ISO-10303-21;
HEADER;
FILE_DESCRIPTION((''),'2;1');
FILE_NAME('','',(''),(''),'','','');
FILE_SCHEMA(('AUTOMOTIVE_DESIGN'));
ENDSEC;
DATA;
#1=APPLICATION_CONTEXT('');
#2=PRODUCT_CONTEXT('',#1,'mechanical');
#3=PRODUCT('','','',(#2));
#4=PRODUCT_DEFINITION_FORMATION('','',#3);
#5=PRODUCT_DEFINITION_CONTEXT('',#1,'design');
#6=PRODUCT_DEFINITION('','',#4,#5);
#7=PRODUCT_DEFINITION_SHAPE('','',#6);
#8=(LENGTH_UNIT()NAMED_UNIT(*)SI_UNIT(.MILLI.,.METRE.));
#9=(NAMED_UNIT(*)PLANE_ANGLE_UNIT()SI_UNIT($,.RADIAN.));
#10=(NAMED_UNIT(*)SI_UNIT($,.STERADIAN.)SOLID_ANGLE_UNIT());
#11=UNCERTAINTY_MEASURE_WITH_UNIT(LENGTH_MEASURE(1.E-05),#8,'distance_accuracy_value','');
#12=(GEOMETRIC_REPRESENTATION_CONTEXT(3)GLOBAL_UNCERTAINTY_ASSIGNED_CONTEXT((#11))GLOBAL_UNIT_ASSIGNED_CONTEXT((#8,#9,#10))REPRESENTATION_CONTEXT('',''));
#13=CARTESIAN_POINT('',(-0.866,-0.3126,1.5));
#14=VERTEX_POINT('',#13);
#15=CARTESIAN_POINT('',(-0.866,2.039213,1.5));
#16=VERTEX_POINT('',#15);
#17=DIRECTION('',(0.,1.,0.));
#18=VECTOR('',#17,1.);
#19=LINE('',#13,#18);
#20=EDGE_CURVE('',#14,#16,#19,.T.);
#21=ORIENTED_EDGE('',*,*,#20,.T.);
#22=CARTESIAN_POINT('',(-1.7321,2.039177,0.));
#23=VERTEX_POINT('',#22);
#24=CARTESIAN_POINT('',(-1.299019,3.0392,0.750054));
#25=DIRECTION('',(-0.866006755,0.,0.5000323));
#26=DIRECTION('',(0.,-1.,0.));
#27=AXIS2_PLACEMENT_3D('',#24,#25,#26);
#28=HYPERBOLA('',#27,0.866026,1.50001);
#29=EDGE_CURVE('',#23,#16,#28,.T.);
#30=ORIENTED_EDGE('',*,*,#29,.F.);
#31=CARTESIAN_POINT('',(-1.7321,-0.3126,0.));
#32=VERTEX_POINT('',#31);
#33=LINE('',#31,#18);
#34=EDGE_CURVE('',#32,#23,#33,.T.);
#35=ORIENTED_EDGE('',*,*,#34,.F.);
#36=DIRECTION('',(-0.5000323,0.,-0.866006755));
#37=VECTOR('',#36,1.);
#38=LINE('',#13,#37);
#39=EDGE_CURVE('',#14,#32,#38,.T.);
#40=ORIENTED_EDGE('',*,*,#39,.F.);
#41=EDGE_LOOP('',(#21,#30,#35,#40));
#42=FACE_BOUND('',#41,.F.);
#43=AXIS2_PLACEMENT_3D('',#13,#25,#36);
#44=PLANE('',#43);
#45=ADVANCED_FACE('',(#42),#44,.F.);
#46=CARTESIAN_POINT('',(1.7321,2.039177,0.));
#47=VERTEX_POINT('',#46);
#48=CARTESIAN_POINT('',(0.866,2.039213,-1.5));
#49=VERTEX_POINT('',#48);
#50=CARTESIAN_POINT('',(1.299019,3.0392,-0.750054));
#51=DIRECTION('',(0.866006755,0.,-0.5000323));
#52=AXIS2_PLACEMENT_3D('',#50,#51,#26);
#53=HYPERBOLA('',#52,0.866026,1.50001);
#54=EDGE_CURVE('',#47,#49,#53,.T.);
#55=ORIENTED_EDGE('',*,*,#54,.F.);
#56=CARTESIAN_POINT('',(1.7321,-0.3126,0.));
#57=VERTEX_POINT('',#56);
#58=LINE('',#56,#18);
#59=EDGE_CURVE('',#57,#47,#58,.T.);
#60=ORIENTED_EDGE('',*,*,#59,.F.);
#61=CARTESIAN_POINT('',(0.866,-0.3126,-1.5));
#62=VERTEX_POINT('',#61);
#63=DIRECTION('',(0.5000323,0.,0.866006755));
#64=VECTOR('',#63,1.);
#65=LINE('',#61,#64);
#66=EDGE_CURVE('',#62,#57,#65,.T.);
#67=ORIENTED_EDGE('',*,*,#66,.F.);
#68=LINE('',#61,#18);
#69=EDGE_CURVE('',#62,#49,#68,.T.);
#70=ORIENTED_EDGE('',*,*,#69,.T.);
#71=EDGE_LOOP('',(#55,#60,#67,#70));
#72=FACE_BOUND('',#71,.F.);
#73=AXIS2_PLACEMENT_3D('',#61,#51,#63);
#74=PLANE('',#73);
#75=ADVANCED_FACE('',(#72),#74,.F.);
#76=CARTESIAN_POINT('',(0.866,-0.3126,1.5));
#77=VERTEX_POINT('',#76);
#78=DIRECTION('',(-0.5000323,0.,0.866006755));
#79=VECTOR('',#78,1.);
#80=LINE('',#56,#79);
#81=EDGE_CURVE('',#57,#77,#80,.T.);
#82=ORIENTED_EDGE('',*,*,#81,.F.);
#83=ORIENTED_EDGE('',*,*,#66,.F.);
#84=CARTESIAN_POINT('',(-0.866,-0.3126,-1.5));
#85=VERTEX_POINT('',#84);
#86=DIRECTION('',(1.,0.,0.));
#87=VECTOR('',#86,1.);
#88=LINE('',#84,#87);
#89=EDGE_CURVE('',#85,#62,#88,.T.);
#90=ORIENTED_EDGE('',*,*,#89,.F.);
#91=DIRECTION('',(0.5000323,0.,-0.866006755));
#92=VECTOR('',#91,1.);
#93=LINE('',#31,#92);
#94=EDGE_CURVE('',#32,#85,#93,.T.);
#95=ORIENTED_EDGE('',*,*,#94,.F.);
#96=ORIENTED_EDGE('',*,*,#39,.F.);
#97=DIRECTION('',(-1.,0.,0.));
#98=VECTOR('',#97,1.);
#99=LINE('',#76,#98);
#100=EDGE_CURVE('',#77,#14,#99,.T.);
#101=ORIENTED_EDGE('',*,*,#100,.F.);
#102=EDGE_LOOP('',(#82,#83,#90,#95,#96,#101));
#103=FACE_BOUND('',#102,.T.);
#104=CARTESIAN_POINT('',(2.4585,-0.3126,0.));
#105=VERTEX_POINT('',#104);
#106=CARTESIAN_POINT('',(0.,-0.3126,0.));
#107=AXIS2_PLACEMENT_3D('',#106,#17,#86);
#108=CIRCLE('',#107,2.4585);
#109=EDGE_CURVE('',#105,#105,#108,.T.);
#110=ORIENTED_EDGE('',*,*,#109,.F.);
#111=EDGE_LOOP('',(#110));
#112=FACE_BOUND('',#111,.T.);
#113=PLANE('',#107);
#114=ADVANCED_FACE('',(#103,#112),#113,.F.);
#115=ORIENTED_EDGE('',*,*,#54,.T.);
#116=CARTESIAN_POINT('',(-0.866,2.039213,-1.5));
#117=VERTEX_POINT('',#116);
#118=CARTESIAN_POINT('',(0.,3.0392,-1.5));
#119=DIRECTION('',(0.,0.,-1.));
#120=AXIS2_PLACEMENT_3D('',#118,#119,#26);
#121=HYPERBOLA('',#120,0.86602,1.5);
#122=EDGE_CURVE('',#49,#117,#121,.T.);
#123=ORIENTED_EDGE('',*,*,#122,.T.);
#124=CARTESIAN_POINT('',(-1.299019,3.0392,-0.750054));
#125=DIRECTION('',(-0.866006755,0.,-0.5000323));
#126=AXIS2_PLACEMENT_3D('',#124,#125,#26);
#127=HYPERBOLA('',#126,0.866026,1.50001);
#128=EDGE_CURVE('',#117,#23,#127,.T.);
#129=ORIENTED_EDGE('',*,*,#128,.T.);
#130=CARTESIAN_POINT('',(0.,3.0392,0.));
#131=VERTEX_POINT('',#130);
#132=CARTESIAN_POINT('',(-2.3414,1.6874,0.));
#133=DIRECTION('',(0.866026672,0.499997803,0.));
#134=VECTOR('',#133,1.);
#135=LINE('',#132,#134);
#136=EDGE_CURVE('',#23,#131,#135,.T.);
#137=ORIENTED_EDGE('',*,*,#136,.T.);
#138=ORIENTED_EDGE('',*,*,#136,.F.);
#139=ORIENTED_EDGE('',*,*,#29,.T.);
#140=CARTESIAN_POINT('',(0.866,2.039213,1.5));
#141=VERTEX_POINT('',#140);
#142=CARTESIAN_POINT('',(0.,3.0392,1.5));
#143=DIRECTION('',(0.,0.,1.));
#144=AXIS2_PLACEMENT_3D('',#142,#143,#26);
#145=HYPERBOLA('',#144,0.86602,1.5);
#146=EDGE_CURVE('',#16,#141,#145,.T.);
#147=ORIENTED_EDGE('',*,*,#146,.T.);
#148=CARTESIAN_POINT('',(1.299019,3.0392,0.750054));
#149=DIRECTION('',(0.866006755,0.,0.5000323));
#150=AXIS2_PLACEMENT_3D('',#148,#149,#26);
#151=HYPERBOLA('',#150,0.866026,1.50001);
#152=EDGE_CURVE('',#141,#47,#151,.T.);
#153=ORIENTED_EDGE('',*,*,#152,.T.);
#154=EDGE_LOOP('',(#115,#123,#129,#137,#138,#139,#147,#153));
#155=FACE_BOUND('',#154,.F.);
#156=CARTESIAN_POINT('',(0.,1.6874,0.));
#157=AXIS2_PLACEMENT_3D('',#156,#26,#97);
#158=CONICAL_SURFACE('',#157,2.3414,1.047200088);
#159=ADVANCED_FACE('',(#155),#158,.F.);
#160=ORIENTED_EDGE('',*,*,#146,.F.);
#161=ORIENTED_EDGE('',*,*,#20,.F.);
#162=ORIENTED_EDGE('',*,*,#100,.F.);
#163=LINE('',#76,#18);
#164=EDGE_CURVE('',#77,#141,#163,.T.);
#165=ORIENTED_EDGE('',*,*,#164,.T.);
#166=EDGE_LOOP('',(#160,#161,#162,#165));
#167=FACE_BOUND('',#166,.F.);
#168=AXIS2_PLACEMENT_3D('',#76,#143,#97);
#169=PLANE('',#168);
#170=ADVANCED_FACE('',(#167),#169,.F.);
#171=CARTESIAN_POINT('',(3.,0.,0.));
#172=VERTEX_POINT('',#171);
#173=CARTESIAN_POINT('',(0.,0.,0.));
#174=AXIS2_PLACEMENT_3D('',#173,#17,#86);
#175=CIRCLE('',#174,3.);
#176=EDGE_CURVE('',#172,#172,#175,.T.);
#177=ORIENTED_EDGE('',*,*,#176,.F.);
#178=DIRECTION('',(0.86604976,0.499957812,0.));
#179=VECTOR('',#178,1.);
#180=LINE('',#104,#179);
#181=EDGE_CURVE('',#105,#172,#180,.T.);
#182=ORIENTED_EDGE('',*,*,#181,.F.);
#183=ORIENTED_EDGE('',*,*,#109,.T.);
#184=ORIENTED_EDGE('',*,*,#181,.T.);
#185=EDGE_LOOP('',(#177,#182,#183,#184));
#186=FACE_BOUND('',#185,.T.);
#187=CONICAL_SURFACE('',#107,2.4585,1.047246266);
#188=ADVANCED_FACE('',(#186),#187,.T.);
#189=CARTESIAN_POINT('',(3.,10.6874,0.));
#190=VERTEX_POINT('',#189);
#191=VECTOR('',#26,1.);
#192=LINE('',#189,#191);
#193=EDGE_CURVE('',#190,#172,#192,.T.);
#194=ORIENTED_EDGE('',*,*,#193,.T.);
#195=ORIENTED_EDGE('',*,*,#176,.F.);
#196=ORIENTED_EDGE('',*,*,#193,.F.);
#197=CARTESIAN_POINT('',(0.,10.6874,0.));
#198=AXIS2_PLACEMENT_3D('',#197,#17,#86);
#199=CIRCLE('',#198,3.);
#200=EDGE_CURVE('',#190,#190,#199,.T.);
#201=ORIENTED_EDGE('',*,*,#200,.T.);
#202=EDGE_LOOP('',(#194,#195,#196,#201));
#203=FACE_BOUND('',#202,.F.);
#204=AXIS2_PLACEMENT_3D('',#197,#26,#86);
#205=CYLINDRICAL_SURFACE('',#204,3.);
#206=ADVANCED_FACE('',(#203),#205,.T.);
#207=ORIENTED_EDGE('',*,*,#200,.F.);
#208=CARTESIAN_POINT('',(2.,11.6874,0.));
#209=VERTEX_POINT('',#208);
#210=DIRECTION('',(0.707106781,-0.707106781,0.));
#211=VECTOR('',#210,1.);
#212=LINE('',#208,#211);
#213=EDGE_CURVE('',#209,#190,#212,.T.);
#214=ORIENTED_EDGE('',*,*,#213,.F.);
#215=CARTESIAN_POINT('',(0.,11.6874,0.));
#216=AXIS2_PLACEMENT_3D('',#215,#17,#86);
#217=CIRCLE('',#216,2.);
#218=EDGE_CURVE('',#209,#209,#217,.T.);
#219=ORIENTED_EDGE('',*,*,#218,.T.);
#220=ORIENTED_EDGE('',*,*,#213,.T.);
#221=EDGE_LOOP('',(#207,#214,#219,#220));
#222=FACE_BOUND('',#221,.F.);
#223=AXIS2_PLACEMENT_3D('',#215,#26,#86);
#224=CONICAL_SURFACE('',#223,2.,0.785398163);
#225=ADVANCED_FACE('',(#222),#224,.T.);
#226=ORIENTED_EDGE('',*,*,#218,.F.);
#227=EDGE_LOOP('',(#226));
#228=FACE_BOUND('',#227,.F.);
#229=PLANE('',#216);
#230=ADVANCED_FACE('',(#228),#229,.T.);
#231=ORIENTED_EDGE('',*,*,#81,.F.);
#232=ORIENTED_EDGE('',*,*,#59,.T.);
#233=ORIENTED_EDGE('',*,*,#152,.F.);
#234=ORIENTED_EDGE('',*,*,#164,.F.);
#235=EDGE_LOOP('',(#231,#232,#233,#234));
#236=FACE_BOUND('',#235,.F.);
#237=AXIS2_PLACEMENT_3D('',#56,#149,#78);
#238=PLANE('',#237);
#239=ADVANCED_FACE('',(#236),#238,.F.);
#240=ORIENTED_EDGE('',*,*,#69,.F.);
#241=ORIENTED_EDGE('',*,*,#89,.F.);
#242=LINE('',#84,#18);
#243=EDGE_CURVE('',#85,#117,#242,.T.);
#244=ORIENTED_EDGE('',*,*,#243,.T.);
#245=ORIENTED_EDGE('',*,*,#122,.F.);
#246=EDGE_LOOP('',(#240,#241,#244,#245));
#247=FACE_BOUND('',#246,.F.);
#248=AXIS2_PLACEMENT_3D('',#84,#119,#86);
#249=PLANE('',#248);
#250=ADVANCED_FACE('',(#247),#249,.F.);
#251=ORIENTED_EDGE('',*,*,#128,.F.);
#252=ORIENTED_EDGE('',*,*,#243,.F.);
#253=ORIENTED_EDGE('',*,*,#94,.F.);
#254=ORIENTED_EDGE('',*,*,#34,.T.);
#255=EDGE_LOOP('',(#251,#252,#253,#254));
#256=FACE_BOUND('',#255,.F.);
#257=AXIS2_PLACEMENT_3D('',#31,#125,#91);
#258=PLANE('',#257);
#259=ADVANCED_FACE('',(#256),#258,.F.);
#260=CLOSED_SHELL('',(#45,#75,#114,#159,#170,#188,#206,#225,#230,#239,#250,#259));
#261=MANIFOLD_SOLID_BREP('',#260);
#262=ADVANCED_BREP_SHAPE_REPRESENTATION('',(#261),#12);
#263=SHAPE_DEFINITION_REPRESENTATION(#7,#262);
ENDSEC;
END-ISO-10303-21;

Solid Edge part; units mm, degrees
sketch "Sketch1" plane through (0, 0, 0) normal (0, 0, 1) x (1, 0, 0)
  line L0 (3, 10.6874) -> (3, 0)
  line L1 (2.4585, -0.3126) -> (3, 0)
  line L2 (0, -0.3126) -> (2.4585, -0.3126)
  line L3 (0, 0) -> (0, -0.3126)
  line L4 (0, 0) -> (0, 11.6874)
  line L5 (0, 11.6874) -> (2, 11.6874)
  line L6 (2, 11.6874) -> (3, 10.6874)
  dimension "D1" = 2
  dimension "D2" = 3
  dimension "D3" = 2.4585
  dimension "D4" = 12
revolve "RevolvedProtrusion1" add sketch "Sketch1" angle 360 about axis through (0, 0, 0) along (0, 1, 0)
sketch "Sketch2" plane through (0, 0, 0) normal (0, 0, 1) x (1, 0, 0)
  line L0 (0, -0.3126) -> (0, 3.0392)
  line L1 (-2.3414, 1.6874) -> (0, 3.0392)
  line L2 (-2.3414, -0.3126) -> (-2.3414, 1.6874)
  line L3 (0, -0.3126) -> (-2.3414, -0.3126)
revolve "RevolvedCutout1" cut sketch "Sketch2" angle 360 about axis through (0, -0.1937, 0) along (0, 1, 0)
sketch "Sketch3" plane through (0, -0.3126, 0) normal (0, -1, 0) x (0, 0, -1)
  line L0 (-1.5, -0.866) -> (0, -1.7321)
  line L1 (0, -1.7321) -> (1.5, -0.866)
  line L2 (1.5, -0.866) -> (1.5, 0.866)
  line L3 (1.5, 0.866) -> (0, 1.7321)
  line L4 (0, 1.7321) -> (-1.5, 0.866)
  line L5 (-1.5, 0.866) -> (-1.5, -0.866)
  circle A0 centre (0, 0) radius 2.3414
  dimension "D1" = 3
extrude "Protrusion1" add sketch "Sketch3" against normal up to next
cosmetic_thread "Thread1" size "M6"
